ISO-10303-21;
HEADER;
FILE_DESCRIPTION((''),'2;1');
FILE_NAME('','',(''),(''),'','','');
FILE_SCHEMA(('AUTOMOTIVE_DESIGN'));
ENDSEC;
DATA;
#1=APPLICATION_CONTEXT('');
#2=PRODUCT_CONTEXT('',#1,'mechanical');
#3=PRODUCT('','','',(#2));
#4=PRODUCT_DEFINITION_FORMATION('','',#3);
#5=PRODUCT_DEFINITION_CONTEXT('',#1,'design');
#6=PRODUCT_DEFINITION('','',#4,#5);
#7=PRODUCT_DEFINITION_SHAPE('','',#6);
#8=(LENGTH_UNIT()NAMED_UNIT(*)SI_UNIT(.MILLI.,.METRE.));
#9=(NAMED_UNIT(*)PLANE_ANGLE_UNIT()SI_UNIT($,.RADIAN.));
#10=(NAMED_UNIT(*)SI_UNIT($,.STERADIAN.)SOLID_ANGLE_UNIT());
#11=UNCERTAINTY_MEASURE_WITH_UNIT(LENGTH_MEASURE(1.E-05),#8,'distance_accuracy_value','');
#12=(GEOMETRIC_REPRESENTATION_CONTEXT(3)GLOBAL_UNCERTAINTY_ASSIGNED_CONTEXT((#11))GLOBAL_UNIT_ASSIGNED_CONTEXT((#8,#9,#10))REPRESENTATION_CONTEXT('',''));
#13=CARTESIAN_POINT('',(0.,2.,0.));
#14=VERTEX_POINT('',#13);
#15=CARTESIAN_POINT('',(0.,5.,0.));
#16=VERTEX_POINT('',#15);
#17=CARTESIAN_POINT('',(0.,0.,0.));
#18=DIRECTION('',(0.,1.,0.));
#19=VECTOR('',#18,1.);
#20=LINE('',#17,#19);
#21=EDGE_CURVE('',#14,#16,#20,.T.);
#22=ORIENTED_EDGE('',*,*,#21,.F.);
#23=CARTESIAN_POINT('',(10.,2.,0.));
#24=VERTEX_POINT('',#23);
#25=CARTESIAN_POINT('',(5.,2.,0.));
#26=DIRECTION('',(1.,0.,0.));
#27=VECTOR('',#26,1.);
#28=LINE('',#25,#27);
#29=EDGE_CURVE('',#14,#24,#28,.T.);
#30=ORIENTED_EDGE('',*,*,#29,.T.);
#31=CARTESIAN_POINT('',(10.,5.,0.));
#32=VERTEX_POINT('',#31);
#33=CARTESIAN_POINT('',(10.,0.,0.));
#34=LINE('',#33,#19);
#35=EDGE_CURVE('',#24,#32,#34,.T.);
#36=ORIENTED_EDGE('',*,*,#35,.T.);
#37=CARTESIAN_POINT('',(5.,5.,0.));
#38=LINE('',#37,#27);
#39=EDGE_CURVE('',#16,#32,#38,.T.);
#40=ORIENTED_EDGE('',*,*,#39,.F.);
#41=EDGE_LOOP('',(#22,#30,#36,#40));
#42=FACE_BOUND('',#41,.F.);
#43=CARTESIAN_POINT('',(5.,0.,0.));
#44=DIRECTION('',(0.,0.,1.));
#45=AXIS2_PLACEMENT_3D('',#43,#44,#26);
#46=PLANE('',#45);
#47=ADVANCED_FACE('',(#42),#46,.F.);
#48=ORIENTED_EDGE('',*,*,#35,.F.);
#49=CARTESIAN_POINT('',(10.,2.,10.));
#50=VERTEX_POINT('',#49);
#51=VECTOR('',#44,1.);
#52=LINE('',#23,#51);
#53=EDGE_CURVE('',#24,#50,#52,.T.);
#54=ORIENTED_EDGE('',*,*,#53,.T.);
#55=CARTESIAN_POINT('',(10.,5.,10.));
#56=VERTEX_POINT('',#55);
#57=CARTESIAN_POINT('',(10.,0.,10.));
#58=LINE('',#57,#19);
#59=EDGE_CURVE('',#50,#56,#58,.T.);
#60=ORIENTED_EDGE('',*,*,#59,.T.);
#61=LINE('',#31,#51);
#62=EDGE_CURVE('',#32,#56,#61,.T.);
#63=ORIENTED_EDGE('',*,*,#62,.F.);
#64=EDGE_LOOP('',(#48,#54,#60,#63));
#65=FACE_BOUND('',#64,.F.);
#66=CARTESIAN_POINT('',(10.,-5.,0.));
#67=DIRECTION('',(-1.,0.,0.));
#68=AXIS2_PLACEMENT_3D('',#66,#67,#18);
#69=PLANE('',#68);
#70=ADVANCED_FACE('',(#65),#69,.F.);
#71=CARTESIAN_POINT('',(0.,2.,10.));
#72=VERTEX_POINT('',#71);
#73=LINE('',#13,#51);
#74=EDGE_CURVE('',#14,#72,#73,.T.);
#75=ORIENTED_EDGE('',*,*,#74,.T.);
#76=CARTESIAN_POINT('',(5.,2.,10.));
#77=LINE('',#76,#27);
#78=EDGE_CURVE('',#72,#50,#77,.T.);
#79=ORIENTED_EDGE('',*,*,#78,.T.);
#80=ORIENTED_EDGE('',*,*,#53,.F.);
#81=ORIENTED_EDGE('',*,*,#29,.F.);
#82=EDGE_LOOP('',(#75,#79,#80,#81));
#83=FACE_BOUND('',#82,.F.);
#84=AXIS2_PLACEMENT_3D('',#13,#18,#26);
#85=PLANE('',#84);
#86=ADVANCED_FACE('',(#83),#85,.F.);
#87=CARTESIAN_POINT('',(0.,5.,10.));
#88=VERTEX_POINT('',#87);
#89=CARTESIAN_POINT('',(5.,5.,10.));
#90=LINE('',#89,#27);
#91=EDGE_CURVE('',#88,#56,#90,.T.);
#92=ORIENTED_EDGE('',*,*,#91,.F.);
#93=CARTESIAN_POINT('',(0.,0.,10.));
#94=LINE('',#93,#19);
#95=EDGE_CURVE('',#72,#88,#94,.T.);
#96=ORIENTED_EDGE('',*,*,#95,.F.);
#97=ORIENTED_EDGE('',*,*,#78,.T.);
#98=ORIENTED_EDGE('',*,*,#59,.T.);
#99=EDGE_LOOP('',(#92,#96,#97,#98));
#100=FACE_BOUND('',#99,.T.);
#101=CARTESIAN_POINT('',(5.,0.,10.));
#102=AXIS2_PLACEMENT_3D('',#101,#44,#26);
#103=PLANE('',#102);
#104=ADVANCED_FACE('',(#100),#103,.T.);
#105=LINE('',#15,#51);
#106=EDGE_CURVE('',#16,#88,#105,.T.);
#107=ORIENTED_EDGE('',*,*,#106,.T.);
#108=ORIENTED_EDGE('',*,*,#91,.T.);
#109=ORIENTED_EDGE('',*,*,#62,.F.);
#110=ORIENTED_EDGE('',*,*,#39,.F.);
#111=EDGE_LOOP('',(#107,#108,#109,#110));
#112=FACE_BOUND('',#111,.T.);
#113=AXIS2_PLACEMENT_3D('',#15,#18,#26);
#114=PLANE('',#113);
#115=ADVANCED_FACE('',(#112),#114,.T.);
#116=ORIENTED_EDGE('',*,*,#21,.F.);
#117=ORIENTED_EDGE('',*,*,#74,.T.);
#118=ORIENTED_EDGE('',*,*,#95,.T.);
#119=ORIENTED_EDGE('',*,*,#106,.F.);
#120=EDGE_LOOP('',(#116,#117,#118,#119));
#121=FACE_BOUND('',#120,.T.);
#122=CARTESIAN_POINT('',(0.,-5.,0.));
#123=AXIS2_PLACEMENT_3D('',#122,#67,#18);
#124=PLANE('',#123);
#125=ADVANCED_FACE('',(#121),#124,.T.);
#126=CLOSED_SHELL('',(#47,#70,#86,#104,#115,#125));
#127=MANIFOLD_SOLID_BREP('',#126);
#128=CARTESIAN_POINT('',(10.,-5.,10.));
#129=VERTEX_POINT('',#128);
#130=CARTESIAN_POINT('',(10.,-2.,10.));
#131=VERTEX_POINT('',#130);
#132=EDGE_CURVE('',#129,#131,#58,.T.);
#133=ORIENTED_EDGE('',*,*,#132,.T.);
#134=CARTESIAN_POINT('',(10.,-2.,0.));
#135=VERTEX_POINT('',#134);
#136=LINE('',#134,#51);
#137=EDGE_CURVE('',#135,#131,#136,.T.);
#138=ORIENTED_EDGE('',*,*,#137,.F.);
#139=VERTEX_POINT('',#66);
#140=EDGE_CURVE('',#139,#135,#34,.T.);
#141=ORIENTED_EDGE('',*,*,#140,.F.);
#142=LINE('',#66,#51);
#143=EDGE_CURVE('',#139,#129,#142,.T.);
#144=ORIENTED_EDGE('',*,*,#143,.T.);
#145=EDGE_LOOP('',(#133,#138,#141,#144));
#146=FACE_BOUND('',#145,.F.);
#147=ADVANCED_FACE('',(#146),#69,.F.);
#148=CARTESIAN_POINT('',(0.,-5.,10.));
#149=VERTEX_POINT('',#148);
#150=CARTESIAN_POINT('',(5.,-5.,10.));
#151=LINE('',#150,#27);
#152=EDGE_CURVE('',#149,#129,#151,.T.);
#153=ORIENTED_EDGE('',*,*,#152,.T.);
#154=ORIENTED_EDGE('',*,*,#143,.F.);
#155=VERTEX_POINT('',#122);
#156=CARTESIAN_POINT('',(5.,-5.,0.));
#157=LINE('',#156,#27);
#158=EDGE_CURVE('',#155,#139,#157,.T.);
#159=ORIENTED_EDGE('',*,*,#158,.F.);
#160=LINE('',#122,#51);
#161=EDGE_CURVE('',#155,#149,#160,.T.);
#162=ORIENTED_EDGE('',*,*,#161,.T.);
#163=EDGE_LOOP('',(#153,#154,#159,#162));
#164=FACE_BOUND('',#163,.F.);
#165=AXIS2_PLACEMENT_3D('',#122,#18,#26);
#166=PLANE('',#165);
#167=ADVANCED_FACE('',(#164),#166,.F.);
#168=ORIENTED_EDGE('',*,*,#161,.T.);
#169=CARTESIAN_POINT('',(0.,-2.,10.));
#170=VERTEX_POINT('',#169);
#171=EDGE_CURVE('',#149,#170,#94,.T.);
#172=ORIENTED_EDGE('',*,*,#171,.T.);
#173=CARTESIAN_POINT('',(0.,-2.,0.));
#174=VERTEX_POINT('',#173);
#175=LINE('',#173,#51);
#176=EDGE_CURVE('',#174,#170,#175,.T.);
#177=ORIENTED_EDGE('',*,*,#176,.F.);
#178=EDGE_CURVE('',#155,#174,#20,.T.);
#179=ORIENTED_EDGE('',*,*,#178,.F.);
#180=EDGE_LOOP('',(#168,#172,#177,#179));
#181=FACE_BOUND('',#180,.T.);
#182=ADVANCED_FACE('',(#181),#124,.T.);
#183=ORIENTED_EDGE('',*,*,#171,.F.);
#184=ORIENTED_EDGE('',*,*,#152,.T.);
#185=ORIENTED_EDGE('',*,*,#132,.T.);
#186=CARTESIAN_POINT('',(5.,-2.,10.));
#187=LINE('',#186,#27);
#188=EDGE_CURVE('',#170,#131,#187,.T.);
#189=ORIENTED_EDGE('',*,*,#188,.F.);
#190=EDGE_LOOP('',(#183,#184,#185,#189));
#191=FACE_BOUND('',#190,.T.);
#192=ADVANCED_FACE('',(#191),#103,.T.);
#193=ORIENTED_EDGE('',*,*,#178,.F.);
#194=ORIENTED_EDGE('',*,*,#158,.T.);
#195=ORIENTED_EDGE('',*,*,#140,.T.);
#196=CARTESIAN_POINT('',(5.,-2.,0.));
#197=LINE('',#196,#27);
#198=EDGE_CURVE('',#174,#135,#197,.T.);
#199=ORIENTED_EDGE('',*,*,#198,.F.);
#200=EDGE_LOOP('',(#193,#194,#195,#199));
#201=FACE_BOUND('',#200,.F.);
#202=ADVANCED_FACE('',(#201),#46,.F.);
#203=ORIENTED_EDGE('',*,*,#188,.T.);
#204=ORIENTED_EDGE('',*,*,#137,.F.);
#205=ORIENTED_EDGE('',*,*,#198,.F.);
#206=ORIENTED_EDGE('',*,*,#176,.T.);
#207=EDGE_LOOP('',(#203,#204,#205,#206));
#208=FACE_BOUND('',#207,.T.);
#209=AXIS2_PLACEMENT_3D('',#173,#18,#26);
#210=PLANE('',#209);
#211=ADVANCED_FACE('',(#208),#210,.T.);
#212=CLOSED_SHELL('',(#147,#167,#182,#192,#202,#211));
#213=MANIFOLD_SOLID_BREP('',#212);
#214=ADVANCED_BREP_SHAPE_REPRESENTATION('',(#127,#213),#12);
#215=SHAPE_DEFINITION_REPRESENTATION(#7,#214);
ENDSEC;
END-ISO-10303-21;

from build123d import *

# Parameters (mm, degrees)
BOX012_W     = 10
BOX012_H     = 4
BOX012_DEPTH = 10
BOX013_W     = 10
BOX013_H     = 10
BOX013_DEPTH = 10


with BuildPart() as cube012:
    # Box012 → Box012 (new body)
    with BuildSketch(Plane(origin=(0, -2, 0), x_dir=(1, 0, 0), z_dir=(0, 0, 1))):
        with Locations((5, 2)):
            Rectangle(BOX012_W, BOX012_H)
    extrude(amount=BOX012_DEPTH)


with BuildPart() as f_2_temp:
    # Box013 → Box013 (new body)
    with BuildSketch(Plane(origin=(0, -5, 0), x_dir=(1, 0, 0), z_dir=(0, 0, 1))):
        with Locations((5, 5)):
            Rectangle(BOX013_W, BOX013_H)
    extrude(amount=BOX013_DEPTH)

    # Cut036: cut Cube012
    add(cube012.part, mode=Mode.SUBTRACT)


solid = f_2_temp.part
